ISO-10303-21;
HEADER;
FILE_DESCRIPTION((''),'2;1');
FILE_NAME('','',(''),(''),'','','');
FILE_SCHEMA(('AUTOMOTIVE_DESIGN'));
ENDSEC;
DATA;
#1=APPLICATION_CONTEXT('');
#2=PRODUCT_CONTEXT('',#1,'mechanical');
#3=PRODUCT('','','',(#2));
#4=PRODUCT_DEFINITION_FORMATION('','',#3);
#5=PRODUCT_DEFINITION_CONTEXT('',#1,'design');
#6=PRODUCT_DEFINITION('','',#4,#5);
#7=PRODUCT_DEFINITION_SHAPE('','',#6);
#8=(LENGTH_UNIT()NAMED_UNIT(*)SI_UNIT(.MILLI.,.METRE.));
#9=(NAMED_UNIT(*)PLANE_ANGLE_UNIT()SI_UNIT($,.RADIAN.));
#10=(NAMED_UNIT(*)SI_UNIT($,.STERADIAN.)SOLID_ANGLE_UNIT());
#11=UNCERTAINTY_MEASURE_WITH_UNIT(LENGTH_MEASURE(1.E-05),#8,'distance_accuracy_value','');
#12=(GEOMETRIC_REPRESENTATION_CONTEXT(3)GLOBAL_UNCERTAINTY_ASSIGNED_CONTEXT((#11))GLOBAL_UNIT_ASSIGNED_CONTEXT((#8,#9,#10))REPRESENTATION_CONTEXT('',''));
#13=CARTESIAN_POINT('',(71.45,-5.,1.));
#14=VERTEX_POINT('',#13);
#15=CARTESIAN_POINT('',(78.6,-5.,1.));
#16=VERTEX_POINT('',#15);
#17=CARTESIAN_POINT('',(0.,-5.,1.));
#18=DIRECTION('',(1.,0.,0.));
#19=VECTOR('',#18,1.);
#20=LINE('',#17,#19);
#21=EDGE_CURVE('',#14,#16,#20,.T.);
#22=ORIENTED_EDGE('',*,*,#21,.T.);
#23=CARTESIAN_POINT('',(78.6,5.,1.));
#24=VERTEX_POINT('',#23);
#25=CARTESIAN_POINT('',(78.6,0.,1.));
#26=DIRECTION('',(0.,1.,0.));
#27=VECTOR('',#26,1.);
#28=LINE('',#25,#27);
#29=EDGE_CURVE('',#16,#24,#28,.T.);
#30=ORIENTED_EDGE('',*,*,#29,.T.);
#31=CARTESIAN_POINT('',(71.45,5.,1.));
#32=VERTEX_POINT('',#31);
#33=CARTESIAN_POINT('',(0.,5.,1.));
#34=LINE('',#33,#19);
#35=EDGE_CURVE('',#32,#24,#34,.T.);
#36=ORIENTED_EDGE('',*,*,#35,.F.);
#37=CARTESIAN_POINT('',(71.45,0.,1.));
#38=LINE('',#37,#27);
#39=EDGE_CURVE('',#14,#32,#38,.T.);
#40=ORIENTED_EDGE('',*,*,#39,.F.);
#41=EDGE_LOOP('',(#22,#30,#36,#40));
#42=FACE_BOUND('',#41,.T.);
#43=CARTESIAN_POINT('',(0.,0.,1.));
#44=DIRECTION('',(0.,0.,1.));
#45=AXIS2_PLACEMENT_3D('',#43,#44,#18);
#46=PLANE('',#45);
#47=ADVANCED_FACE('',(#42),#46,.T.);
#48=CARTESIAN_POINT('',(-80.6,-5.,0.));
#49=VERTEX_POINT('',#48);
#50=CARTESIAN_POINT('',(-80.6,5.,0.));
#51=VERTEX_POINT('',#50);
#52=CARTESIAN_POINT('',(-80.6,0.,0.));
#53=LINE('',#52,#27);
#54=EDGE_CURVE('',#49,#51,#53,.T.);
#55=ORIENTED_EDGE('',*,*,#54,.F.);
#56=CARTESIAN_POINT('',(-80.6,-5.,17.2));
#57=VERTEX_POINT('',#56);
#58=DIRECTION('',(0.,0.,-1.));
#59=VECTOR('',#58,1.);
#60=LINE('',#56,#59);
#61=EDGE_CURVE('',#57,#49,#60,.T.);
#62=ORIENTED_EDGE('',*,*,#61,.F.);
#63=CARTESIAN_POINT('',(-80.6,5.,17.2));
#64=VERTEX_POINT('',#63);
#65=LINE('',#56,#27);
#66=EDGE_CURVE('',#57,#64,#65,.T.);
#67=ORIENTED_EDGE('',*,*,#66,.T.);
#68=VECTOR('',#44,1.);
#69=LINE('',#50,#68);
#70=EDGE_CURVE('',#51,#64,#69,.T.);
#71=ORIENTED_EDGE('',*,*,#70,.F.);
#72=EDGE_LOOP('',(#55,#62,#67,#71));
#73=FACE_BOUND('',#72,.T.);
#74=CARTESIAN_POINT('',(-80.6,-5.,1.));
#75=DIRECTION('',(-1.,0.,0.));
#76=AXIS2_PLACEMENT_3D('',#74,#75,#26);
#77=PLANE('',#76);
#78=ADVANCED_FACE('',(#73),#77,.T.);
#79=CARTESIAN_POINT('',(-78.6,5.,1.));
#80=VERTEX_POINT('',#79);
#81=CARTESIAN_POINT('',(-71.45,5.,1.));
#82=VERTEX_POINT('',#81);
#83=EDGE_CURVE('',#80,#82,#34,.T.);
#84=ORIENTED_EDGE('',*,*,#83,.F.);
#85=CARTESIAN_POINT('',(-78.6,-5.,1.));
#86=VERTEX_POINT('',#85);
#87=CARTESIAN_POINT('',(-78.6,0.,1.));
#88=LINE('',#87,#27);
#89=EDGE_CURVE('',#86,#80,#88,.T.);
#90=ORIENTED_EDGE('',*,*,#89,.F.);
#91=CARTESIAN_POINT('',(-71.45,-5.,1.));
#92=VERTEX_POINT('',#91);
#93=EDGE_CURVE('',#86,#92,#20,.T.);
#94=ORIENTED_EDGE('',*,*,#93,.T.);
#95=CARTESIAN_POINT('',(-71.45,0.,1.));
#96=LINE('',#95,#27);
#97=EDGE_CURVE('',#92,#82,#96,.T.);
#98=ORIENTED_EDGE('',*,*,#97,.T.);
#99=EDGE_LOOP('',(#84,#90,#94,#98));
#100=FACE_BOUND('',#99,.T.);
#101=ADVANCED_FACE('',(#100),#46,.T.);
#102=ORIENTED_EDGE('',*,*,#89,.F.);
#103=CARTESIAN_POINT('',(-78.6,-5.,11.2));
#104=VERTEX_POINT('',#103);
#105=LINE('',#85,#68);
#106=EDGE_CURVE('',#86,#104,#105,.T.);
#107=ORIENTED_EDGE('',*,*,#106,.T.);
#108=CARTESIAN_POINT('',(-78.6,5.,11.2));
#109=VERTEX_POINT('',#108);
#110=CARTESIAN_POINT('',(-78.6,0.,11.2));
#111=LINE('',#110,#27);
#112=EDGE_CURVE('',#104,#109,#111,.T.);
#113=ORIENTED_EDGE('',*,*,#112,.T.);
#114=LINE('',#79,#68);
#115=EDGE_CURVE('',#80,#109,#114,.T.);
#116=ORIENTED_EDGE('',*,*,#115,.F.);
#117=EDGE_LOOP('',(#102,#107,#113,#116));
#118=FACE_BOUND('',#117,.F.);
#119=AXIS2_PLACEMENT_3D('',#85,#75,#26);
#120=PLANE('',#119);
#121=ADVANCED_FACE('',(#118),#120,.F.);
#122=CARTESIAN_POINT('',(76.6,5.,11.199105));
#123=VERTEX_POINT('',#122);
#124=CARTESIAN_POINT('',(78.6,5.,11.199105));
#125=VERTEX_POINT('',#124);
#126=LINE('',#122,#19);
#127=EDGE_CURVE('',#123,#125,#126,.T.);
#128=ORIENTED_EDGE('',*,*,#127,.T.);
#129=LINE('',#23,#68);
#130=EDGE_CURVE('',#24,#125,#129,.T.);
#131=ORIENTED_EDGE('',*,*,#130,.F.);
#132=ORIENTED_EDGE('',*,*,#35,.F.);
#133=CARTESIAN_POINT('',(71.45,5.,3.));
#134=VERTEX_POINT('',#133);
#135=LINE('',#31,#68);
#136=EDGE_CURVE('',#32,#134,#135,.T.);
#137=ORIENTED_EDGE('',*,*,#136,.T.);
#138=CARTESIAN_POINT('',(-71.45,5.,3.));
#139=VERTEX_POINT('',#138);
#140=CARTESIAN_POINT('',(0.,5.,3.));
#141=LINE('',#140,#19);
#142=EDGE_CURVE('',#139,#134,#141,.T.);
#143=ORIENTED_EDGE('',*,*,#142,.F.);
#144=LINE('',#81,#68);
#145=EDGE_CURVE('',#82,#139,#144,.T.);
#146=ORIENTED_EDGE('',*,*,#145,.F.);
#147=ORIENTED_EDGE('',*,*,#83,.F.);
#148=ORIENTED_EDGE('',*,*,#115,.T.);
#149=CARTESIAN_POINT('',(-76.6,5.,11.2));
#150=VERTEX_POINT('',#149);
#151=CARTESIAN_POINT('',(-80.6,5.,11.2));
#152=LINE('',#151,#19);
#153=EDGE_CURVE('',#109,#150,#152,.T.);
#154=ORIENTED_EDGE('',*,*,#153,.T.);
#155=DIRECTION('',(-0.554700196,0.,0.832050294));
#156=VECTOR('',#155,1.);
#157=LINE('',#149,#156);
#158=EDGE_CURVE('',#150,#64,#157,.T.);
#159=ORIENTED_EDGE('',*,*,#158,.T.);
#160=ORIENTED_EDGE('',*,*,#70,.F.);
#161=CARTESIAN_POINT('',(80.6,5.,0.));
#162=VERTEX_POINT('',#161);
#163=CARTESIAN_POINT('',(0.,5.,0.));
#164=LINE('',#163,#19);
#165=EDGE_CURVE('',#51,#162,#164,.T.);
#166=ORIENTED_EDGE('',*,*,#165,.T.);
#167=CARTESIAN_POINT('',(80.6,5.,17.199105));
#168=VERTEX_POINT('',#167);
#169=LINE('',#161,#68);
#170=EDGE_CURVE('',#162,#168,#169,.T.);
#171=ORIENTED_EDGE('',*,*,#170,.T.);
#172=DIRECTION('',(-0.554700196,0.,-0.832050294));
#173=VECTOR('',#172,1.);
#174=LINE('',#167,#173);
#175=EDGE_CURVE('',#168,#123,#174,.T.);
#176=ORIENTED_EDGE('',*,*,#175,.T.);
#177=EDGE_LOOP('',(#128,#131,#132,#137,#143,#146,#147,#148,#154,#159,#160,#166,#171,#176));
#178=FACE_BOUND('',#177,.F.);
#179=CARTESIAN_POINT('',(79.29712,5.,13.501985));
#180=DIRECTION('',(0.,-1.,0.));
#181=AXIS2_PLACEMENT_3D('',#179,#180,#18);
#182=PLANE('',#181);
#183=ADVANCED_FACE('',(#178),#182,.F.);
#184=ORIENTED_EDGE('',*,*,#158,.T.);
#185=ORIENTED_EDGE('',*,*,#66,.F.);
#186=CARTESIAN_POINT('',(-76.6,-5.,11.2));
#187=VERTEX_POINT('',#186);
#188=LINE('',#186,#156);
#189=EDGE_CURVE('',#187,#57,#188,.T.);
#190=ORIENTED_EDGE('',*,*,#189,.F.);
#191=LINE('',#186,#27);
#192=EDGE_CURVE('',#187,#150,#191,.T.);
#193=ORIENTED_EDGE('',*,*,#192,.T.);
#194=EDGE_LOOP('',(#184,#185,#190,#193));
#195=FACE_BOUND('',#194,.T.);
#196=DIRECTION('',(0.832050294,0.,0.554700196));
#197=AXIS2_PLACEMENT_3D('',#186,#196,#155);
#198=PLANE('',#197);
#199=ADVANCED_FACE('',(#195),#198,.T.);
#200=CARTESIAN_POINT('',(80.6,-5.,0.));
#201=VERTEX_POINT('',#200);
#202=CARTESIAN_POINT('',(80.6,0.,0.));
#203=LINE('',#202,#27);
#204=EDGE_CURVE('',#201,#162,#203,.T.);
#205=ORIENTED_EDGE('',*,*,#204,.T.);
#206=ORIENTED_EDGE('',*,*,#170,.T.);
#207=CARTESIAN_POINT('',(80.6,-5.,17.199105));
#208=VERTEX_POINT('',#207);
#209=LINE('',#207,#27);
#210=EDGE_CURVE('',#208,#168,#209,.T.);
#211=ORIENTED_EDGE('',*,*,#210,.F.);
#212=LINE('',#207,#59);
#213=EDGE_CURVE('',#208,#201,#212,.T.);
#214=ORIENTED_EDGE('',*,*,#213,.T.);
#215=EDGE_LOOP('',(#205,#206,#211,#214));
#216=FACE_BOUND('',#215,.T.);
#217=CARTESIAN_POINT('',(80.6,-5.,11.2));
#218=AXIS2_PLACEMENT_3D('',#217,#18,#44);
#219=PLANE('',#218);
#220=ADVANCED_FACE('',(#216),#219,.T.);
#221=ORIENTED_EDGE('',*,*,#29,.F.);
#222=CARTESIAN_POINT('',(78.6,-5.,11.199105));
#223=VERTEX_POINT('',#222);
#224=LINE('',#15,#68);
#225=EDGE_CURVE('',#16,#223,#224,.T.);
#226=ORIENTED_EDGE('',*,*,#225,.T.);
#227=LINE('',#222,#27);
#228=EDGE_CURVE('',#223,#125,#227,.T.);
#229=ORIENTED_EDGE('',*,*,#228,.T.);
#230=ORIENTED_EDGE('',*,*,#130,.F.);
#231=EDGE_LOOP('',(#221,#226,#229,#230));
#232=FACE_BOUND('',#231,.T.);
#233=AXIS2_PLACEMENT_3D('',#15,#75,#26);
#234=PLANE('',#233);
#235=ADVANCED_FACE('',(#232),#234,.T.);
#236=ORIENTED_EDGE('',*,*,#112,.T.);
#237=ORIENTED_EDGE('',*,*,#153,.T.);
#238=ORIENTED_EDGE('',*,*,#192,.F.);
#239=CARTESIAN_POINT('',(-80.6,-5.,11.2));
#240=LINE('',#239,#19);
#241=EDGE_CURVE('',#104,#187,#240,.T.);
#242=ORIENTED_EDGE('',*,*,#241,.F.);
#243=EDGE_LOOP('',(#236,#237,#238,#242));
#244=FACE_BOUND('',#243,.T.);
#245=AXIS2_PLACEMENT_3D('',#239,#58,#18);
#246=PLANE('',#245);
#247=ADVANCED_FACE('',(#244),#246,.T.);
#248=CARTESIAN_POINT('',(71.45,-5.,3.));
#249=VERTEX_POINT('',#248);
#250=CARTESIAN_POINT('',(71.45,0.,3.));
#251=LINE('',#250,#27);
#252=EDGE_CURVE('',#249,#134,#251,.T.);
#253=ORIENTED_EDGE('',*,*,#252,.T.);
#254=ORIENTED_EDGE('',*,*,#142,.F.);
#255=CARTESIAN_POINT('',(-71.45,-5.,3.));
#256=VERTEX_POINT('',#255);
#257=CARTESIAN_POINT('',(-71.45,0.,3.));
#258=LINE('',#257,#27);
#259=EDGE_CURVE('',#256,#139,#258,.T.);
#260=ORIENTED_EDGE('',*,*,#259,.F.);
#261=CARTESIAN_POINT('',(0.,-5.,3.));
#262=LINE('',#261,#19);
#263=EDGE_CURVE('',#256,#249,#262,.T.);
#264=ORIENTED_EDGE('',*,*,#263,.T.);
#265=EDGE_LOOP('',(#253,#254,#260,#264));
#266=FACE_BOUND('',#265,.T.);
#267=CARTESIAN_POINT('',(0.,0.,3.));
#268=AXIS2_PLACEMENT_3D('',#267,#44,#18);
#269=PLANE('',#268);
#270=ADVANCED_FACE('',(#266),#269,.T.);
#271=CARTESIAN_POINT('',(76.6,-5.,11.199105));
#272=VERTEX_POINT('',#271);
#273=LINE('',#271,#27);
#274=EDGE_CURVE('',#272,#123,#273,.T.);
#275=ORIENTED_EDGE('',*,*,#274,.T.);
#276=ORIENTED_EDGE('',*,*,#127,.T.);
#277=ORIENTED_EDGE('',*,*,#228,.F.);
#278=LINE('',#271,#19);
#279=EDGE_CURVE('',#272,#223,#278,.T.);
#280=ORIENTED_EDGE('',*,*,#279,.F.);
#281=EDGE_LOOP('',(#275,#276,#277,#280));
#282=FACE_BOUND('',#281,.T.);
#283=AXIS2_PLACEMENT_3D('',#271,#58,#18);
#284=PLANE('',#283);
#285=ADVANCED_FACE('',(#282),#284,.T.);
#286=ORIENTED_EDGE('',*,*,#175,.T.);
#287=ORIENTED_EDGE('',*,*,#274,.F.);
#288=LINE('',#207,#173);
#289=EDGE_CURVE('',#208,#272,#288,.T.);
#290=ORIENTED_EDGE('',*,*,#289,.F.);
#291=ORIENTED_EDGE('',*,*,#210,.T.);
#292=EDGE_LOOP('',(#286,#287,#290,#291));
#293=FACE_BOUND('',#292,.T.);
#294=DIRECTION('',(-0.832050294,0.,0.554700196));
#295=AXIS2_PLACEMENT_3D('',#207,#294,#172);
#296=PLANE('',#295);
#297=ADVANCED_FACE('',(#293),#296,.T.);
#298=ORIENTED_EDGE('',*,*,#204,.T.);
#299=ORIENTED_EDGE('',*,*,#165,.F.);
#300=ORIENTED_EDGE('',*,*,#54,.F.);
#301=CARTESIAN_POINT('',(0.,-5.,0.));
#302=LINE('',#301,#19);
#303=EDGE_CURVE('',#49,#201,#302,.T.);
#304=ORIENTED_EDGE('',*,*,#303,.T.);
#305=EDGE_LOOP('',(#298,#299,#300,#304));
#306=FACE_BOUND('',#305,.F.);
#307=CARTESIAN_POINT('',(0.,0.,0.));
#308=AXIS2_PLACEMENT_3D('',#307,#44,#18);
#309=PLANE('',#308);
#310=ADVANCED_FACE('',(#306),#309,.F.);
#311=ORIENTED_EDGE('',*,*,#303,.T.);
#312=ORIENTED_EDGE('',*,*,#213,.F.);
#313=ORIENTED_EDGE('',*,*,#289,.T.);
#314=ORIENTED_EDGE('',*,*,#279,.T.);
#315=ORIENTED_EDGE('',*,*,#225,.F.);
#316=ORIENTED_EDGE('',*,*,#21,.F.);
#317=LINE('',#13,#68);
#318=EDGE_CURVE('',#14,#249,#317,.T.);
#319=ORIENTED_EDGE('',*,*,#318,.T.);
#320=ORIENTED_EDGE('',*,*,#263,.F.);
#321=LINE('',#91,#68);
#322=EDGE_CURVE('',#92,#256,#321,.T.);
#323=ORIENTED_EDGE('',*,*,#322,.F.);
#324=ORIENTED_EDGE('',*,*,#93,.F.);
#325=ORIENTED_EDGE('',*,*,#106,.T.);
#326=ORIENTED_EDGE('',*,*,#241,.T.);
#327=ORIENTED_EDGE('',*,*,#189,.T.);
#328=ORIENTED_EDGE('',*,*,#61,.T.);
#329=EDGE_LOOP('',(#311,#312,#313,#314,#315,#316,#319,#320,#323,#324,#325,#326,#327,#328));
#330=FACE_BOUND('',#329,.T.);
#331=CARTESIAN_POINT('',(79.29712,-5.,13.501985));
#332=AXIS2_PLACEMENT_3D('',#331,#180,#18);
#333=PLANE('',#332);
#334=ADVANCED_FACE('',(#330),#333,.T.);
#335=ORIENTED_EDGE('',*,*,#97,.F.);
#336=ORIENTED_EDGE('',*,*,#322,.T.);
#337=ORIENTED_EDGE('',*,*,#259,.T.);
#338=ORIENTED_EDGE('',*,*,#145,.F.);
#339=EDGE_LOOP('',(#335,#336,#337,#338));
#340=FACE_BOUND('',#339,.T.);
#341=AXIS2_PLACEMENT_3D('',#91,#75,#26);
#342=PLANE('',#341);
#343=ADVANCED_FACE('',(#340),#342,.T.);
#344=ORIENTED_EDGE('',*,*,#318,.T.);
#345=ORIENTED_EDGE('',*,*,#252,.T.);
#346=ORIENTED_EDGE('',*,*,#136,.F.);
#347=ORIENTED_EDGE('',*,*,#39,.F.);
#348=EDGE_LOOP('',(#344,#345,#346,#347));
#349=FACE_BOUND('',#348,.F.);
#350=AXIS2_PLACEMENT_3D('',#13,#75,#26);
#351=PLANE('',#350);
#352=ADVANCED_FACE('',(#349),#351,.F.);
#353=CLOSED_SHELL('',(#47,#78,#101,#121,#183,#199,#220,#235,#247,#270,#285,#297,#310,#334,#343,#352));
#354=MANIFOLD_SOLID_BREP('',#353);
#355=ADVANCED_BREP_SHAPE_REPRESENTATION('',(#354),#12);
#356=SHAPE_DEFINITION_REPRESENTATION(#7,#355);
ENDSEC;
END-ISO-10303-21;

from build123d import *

# Parameters (mm, degrees)
F0_W     = 161.2
F0_H     = 10
F1_DEPTH = 1
F2_W     = 2
F2_H     = 10
F3_DEPTH = 10.2
F2_W_2   = 142.9
F4_DEPTH = 2
F6_DEPTH = 10


with BuildPart() as f1:
    # F0 (on Top) → F1 (new body)
    with BuildSketch(Plane.XY):
        Rectangle(F0_W, F0_H)
    extrude(amount=F1_DEPTH)

    # F2 (on face) → F3 (join)
    with BuildSketch(Plane.XY.offset(1)):
        with Locations((-79.6, 0)):
            Rectangle(F2_W, F2_H)
        with Locations((79.6, 0)):
            Rectangle(F2_W, F2_H)
    extrude(amount=F3_DEPTH)

    # F2 (on face) → F4 (join)
    with BuildSketch(Plane.XY.offset(1)):
        Rectangle(F2_W_2, F2_H)
    extrude(amount=F4_DEPTH)

    # F5 (on face) → F6 (join)
    with BuildSketch(Plane.XZ.offset(5)):
        Polygon((78.6, 11.2), (80.6, 11.2), (80.6, 17.199105), (76.6, 11.199105), (78.6, 11.199105), align=None)
        Polygon((-76.6, 11.2), (-80.6, 17.2), (-80.6, 11.2), (-78.6, 11.2), align=None)
    extrude(amount=-F6_DEPTH)


solid = f1.part
